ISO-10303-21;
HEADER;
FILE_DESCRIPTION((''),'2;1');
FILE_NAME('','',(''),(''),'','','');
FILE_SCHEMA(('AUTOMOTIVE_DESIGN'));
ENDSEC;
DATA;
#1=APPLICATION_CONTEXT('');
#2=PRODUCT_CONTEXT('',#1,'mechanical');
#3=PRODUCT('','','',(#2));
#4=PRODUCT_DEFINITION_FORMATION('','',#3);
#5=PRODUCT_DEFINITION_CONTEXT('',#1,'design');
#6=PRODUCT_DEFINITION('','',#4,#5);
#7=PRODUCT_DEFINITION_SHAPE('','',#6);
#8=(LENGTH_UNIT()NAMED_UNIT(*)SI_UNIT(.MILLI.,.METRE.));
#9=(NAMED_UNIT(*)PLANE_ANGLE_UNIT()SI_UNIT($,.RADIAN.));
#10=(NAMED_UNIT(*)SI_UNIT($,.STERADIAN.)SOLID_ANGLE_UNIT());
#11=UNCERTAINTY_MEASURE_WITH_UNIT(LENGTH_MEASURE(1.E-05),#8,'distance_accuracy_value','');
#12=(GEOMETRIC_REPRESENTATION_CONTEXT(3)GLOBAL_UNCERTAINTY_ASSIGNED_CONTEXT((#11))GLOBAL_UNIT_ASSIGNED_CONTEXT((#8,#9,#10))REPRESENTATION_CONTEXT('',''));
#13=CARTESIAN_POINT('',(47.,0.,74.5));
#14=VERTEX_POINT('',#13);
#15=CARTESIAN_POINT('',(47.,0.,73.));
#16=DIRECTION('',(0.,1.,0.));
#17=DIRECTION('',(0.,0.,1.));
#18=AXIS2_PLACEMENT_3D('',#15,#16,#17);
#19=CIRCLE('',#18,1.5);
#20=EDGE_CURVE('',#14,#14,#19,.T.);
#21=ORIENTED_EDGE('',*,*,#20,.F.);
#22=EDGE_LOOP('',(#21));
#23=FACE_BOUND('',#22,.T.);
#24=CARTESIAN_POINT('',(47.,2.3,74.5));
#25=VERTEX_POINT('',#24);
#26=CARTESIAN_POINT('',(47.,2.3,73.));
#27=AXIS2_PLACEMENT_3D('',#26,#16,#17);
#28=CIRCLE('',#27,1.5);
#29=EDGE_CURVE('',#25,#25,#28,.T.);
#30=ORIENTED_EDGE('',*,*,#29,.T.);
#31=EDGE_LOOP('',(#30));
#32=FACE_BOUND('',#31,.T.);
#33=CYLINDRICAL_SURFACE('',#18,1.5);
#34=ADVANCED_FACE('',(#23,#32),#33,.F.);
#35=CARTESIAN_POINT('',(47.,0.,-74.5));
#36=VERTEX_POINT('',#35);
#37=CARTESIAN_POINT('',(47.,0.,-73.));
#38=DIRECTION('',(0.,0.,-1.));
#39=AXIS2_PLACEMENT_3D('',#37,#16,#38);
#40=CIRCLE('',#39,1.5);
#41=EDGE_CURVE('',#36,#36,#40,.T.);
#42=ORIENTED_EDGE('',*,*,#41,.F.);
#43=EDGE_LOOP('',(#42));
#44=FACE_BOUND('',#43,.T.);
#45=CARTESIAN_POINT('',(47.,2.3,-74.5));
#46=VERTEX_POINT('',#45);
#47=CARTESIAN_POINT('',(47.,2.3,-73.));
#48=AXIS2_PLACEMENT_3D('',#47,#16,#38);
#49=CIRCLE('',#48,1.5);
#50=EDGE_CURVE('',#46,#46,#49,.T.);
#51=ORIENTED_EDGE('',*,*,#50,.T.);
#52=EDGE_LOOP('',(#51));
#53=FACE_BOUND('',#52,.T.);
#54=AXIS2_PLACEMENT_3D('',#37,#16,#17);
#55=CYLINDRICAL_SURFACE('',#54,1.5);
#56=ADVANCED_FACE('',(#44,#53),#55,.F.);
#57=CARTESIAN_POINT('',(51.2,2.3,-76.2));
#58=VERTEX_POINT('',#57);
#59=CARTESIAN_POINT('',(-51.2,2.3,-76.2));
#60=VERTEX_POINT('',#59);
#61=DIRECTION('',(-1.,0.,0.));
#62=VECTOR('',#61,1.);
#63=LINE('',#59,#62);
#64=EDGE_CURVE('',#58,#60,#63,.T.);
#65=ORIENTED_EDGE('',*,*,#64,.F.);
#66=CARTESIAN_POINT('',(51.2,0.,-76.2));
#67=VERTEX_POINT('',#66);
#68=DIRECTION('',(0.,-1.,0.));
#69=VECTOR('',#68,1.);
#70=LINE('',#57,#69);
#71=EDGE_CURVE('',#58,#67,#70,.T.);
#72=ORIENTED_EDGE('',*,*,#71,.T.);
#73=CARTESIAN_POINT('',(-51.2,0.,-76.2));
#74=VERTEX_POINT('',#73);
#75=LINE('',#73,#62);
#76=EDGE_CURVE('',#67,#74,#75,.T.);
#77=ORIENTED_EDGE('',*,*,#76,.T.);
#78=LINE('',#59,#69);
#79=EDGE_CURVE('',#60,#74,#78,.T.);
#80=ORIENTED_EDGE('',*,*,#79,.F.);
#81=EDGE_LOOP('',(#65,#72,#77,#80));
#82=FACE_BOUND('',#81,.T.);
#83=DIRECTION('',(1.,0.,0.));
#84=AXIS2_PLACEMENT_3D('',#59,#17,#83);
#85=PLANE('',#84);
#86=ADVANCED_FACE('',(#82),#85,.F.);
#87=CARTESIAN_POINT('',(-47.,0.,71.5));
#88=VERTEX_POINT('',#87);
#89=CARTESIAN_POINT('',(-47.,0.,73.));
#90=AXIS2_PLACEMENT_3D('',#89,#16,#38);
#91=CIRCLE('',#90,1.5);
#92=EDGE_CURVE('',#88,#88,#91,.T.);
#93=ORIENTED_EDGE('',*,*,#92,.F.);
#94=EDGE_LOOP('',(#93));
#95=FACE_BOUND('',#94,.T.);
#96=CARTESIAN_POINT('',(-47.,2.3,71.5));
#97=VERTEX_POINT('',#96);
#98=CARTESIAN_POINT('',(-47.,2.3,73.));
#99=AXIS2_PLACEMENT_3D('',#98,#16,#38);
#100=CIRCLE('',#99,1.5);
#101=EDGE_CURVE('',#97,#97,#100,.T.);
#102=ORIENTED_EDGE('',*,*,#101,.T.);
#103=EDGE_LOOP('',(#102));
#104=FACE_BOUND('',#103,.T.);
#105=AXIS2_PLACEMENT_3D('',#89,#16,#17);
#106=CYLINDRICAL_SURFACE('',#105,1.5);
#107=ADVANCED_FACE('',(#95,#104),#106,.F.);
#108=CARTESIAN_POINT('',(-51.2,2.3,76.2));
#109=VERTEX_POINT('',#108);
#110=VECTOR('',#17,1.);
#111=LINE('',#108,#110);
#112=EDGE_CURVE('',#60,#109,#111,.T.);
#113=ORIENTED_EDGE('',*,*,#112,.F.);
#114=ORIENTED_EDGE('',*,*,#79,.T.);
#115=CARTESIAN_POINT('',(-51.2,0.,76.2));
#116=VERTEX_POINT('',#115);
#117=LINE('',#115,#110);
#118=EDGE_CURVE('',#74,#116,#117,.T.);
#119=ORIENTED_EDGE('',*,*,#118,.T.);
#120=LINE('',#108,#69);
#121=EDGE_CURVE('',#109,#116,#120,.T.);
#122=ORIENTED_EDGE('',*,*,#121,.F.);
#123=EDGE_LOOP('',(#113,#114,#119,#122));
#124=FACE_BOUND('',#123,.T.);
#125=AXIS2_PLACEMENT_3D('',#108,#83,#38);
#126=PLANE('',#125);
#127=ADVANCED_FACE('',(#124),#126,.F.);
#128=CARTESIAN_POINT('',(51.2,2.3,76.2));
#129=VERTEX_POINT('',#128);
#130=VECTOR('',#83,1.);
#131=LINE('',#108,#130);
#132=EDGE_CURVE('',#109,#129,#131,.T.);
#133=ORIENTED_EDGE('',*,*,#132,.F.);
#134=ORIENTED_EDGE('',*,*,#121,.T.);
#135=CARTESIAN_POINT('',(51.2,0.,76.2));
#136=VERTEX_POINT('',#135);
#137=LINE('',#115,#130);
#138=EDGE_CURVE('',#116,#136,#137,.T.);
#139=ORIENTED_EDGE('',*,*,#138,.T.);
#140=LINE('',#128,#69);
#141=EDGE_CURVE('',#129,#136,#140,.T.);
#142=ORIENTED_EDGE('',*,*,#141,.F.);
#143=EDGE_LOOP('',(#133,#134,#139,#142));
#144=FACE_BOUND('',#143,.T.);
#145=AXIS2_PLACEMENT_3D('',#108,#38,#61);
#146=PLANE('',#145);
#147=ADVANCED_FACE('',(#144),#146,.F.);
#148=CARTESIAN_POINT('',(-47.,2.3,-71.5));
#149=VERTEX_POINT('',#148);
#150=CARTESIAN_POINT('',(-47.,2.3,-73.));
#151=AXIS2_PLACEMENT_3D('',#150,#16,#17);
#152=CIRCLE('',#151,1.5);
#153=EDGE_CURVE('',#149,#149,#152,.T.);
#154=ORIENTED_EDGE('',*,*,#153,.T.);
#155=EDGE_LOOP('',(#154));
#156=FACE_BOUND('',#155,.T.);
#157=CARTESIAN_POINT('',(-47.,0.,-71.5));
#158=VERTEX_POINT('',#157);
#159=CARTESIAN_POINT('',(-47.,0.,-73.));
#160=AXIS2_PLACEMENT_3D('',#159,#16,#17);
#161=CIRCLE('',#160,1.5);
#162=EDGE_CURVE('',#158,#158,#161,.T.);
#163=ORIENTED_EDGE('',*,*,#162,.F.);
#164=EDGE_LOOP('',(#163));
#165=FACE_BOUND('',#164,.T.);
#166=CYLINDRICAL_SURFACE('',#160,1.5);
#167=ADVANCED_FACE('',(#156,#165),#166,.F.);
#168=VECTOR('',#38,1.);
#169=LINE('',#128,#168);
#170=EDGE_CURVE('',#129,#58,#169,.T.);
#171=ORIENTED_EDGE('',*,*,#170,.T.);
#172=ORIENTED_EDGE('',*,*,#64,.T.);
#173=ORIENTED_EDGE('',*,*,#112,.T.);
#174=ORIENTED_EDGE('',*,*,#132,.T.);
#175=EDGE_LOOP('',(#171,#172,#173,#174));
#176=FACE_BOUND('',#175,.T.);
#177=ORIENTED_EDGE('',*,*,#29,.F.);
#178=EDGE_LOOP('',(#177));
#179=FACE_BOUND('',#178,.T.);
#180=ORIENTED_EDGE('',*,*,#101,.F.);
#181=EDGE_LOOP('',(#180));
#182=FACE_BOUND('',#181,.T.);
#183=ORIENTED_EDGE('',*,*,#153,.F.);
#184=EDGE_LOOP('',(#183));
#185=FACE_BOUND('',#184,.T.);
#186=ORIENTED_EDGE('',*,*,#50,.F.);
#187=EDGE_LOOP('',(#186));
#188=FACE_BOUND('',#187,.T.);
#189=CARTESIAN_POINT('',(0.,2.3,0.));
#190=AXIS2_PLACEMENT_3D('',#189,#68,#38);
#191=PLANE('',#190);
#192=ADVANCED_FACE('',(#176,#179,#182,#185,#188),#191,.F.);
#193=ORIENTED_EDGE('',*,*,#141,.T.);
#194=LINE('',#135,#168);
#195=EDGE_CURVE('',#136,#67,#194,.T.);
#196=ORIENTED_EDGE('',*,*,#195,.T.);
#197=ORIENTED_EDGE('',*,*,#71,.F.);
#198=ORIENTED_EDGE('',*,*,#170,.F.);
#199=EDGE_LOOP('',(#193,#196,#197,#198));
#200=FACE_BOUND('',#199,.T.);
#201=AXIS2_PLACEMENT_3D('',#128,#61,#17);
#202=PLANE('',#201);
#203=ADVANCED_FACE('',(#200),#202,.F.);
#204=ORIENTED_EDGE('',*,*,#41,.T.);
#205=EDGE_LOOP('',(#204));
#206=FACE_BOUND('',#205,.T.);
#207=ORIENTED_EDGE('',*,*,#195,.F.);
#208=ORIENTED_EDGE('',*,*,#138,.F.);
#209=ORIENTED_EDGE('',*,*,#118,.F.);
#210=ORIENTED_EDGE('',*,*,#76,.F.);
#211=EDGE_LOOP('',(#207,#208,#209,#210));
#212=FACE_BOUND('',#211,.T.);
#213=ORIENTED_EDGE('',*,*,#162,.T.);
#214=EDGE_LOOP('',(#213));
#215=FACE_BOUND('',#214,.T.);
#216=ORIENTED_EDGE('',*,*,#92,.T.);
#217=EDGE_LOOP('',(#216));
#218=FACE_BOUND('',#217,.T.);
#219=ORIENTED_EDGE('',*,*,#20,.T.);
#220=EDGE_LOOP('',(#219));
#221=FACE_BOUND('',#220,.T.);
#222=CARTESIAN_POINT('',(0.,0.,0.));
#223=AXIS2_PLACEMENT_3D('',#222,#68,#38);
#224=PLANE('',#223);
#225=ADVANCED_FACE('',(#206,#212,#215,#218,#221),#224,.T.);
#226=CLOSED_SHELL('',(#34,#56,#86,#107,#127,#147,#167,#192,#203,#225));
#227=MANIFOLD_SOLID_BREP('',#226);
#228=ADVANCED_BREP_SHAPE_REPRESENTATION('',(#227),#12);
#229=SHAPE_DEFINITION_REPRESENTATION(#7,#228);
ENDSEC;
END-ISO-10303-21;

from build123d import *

# Parameters (mm, degrees)
SKETCH_1_W          = 102.4
SKETCH_1_H          = 152.4
EXTRUDE_1_DEPTH     = 2.3
SKETCH_4_R          = 1.5
CUT_EXTRUDE_3_DEPTH = 3.3


with BuildPart() as part:
    # 草圖1 → 填料-伸長1 (new body)
    with BuildSketch(Plane(origin=(0, 0, 0), x_dir=(1, 0, 0), z_dir=(0, 1, 0))):
        Rectangle(SKETCH_1_W, SKETCH_1_H)
    extrude(amount=EXTRUDE_1_DEPTH)

    # 草圖4 → 除料-伸長3 (cut, through all)
    with BuildSketch(Plane(origin=(0, 2.3, 0), x_dir=(1, 0, 0), z_dir=(0, 1, 0))):
        with Locations((-47, 73)):
            Circle(SKETCH_4_R)
        with Locations((47, 73)):
            Circle(SKETCH_4_R)
        with Locations((47, -73)):
            Circle(SKETCH_4_R)
        with Locations((-47, -73)):
            Circle(SKETCH_4_R)
    extrude(amount=-CUT_EXTRUDE_3_DEPTH, mode=Mode.SUBTRACT)


solid = part.part
